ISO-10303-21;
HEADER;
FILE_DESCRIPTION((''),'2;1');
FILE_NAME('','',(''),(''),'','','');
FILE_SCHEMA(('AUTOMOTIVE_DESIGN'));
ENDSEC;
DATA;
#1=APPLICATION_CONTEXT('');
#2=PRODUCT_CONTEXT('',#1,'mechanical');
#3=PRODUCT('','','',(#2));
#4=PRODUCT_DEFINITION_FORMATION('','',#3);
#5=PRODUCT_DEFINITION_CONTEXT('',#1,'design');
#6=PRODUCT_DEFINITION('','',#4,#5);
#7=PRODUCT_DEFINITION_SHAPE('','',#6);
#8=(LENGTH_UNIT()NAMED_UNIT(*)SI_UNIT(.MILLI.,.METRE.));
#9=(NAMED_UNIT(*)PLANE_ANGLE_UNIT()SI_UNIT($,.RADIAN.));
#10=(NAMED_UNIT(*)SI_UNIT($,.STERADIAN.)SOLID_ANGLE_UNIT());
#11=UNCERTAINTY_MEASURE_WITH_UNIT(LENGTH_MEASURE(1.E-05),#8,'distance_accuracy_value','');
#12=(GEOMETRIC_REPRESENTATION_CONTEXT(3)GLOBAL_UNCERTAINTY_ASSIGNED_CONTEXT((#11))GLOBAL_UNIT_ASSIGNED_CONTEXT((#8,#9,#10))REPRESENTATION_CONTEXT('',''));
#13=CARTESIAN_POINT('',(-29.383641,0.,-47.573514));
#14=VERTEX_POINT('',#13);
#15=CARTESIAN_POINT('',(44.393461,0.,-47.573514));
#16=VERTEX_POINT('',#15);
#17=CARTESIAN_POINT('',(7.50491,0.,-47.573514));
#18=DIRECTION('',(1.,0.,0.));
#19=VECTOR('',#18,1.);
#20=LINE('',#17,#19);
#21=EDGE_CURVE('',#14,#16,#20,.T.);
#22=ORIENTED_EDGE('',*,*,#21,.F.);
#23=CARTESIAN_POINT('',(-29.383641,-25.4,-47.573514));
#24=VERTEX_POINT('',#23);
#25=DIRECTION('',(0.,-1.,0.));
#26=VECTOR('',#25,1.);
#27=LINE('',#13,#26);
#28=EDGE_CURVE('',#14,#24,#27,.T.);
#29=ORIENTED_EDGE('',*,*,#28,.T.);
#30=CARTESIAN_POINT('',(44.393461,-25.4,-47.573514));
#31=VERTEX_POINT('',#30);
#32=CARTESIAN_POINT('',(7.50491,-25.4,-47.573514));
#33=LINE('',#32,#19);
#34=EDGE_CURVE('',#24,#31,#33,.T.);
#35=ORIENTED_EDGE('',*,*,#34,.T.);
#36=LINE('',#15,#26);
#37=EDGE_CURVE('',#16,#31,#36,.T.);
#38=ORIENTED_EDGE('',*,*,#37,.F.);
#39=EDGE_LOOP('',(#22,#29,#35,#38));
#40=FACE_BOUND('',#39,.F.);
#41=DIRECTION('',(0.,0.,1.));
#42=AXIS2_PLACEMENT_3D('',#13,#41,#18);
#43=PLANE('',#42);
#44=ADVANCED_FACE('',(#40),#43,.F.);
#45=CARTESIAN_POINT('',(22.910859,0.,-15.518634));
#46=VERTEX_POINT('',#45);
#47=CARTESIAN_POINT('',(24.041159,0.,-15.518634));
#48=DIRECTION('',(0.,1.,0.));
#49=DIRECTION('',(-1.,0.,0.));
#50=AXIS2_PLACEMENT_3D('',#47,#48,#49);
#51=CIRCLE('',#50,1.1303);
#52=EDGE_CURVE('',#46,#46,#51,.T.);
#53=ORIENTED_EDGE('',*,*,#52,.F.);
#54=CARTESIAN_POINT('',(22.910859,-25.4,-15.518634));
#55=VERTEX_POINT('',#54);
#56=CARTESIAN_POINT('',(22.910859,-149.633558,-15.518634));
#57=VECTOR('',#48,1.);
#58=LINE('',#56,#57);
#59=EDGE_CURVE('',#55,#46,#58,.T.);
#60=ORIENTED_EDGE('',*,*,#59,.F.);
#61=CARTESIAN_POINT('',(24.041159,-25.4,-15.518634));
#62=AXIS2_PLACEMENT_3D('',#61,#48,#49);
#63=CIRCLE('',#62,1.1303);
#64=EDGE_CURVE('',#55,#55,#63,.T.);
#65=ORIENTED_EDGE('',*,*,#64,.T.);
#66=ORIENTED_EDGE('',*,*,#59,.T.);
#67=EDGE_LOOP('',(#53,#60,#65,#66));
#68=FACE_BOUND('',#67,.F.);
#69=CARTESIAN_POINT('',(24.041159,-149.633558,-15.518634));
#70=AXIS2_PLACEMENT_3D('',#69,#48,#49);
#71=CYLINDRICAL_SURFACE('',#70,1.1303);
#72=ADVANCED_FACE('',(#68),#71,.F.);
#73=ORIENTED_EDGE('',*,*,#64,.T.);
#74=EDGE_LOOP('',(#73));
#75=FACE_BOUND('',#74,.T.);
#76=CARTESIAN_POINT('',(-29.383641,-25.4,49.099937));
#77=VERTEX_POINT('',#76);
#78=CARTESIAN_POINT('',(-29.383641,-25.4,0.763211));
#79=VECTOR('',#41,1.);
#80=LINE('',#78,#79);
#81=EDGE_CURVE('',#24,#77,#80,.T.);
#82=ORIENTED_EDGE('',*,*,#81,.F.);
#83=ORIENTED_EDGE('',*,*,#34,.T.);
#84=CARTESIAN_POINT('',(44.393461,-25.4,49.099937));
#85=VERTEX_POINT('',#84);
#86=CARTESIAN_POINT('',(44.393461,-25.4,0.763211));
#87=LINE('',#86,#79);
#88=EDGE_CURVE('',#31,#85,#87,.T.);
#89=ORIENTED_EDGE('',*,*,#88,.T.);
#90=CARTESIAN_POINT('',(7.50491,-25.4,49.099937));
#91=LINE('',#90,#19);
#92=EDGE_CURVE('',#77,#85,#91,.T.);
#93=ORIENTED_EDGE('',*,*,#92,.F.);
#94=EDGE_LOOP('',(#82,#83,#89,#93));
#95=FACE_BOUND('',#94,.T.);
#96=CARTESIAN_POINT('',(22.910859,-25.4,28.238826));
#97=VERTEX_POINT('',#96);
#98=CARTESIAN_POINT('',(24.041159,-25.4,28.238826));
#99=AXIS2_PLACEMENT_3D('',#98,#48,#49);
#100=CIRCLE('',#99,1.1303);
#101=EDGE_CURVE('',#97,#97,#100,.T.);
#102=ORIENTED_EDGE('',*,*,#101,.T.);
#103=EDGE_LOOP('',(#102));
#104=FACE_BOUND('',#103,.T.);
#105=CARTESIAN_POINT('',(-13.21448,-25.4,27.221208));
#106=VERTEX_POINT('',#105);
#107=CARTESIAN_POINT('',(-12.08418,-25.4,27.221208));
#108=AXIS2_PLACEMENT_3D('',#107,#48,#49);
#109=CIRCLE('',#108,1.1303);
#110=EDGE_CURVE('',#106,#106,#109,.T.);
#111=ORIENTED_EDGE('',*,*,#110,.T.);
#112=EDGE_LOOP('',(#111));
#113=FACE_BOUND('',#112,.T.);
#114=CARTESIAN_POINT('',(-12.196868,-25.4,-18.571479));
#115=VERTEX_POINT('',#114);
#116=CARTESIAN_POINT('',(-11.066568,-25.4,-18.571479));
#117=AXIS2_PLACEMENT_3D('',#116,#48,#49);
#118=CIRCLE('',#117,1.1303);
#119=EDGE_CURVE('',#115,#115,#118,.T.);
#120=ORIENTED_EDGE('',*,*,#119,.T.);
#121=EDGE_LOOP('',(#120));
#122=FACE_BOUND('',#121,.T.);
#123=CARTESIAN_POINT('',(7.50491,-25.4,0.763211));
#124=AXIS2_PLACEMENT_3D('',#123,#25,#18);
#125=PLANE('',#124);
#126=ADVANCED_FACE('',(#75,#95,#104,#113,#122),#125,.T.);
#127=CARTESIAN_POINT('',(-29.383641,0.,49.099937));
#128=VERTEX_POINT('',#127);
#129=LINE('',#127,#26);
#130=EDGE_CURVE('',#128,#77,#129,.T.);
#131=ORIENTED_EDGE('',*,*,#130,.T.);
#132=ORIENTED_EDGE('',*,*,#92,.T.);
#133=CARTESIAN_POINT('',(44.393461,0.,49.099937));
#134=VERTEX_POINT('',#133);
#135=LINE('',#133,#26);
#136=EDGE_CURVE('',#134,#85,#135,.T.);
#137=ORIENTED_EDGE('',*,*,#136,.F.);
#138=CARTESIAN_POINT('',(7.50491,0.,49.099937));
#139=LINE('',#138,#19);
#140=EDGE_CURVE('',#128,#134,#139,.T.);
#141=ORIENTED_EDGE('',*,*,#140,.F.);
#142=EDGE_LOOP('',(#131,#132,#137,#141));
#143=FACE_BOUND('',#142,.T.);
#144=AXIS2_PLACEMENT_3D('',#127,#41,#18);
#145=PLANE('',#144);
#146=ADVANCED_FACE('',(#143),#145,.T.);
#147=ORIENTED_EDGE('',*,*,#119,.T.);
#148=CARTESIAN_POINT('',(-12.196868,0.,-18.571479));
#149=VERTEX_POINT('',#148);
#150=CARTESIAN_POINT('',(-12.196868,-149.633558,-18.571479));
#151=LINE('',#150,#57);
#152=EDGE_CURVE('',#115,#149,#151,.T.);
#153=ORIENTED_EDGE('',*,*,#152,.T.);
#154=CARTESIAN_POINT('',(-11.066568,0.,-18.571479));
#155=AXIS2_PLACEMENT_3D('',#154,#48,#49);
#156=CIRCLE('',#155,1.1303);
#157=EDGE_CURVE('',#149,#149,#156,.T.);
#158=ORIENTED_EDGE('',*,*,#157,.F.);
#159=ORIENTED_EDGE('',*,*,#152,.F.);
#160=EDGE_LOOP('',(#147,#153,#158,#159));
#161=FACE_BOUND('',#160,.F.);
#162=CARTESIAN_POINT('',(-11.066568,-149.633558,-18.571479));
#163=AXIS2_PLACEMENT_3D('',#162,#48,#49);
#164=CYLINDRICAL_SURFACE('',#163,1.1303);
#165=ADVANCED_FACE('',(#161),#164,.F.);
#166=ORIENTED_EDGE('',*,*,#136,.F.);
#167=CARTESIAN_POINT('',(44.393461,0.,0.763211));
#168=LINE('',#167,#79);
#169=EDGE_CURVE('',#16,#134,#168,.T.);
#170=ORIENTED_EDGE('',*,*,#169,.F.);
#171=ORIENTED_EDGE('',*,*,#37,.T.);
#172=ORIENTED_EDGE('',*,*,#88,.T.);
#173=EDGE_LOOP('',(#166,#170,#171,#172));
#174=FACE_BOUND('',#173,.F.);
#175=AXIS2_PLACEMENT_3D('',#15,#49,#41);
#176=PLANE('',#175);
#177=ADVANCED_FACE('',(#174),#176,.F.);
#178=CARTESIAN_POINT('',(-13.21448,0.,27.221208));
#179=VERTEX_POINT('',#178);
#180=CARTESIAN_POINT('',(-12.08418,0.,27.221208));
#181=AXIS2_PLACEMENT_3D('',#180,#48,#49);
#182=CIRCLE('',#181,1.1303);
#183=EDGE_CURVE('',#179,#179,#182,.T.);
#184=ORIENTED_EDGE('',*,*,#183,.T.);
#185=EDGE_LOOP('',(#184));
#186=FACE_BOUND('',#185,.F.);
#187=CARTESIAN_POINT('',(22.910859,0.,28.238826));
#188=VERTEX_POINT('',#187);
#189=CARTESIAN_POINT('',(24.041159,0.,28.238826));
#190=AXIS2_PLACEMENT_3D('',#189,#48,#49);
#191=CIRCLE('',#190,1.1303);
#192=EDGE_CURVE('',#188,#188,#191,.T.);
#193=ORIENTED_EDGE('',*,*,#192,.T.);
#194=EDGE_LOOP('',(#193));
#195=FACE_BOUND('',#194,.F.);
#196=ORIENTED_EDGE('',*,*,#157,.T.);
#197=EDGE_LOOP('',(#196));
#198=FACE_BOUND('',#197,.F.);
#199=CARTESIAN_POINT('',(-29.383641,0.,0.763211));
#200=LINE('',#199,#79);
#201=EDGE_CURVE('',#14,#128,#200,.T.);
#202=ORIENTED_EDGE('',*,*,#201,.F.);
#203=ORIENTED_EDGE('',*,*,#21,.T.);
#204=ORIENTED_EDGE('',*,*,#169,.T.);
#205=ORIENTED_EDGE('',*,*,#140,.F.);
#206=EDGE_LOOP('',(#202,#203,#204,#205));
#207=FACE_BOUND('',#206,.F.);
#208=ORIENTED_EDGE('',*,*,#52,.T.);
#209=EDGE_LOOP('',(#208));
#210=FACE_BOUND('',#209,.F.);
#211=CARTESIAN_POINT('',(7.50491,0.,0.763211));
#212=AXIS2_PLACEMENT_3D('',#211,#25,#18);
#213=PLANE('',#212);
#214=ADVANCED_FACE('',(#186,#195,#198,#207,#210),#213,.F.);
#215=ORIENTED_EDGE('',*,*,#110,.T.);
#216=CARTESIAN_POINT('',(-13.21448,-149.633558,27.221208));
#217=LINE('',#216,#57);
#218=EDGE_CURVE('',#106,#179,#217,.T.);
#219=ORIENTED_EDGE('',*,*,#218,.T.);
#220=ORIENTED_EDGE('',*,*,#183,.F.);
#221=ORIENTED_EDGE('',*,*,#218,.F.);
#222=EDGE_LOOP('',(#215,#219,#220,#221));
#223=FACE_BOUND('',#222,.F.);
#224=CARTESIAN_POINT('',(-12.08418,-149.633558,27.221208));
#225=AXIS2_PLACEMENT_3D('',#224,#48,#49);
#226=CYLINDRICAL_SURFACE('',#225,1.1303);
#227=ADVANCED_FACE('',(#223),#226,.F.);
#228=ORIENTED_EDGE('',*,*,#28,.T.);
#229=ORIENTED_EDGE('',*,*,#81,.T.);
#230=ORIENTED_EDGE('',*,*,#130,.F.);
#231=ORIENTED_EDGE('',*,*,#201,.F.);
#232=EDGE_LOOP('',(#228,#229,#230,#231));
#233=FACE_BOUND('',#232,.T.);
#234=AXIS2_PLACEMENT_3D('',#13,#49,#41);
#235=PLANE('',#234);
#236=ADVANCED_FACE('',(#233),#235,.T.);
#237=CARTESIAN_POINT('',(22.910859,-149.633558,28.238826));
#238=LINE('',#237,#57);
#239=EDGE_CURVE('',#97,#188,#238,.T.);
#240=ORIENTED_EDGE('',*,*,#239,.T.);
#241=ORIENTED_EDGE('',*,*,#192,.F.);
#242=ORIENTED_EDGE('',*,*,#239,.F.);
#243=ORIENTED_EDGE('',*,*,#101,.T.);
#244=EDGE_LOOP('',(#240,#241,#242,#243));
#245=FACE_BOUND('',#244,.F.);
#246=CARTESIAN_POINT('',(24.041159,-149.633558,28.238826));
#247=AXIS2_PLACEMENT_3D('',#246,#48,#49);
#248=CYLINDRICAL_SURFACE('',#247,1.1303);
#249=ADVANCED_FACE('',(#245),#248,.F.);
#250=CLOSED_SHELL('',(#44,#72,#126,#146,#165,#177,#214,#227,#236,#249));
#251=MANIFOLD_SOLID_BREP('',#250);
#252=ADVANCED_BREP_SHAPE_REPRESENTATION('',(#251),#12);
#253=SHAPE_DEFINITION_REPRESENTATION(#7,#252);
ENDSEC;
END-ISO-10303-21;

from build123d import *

# Parameters (mm, degrees)
F0_W     = 73.777101934
F0_H     = 96.673451364
F1_DEPTH = 25.4
F3_D     = 2.2606


with BuildPart() as f1:
    # F0 (on Front) → F1 (new body)
    with BuildSketch(Plane.XZ):
        with Locations((7.5049102306, 0.7632113993)):
            Rectangle(F0_W, F0_H)
    extrude(amount=F1_DEPTH)

    # F3 (through all)
    with Locations(Plane.XZ.offset(25.4)):
        with Locations((-12.0841795579, 27.2212084383), (24.0411590785, 28.2388255), (-11.0665680841, -18.571479246), (24.0411590785, -15.5186336488)):
            Hole(F3_D / 2)


solid = f1.part
